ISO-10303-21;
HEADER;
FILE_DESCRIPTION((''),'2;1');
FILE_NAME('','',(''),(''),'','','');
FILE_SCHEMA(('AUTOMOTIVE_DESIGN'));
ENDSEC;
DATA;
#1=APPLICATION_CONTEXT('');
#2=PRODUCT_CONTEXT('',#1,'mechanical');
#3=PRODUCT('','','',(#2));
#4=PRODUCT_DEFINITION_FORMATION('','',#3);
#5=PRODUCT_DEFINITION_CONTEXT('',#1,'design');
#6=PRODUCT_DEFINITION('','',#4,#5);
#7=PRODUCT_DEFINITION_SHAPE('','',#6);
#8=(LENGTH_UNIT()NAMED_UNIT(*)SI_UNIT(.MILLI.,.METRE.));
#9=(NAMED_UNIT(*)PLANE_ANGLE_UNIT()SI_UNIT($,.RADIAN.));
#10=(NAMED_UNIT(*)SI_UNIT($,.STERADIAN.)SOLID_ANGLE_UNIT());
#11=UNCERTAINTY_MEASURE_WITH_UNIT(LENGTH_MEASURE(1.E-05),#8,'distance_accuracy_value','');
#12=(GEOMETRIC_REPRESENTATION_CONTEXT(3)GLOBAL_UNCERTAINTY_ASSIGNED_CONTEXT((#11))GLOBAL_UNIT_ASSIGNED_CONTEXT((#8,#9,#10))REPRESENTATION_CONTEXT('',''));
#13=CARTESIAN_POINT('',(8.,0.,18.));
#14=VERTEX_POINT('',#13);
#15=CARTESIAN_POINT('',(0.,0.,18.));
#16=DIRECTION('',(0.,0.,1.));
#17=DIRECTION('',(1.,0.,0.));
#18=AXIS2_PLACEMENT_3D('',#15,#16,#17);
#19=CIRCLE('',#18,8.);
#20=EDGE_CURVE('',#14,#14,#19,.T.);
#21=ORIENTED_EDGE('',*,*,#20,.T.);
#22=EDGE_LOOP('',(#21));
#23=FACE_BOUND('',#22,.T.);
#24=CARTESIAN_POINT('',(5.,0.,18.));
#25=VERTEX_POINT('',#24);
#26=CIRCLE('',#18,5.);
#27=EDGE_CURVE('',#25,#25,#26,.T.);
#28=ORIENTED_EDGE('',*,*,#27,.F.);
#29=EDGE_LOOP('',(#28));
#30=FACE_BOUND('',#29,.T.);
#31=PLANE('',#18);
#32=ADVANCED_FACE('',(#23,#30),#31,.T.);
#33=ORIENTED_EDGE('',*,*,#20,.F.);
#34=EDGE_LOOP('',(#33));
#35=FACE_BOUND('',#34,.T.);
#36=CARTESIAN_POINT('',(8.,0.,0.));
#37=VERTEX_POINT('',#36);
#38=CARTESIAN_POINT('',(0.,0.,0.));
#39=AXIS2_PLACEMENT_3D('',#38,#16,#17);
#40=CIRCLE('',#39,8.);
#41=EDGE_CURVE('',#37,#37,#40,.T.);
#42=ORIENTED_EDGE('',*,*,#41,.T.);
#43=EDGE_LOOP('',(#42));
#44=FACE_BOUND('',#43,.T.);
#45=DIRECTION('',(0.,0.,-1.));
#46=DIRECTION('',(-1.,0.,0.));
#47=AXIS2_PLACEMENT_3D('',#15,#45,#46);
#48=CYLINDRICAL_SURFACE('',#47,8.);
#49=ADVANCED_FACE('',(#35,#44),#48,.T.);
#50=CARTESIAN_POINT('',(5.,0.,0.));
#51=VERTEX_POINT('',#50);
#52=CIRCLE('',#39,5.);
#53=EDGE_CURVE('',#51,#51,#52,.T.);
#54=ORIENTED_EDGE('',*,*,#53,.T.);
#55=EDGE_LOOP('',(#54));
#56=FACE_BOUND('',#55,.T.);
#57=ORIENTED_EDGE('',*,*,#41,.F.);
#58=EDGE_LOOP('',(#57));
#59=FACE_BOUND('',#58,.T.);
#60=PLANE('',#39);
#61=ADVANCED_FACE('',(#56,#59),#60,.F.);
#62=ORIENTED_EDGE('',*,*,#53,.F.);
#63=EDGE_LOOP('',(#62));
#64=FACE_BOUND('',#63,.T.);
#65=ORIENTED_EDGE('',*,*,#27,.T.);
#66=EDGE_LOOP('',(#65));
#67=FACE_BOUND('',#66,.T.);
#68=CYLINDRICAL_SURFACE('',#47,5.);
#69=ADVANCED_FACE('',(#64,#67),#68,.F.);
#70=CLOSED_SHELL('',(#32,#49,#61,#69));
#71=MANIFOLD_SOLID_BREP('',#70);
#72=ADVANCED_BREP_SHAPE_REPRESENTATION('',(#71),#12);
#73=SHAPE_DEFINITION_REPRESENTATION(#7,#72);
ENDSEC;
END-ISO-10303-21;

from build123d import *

# Parameters (mm, degrees)
CROQUIS1_R              = 8
CROQUIS1_R_2            = 5
SALIENTE_EXTRUIR1_DEPTH = 18


with BuildPart() as part:
    # Croquis1 → Saliente-Extruir1 (new body)
    with BuildSketch(Plane.XY):
        Circle(CROQUIS1_R)
        Circle(CROQUIS1_R_2, mode=Mode.SUBTRACT)
    extrude(amount=SALIENTE_EXTRUIR1_DEPTH)


solid = part.part
